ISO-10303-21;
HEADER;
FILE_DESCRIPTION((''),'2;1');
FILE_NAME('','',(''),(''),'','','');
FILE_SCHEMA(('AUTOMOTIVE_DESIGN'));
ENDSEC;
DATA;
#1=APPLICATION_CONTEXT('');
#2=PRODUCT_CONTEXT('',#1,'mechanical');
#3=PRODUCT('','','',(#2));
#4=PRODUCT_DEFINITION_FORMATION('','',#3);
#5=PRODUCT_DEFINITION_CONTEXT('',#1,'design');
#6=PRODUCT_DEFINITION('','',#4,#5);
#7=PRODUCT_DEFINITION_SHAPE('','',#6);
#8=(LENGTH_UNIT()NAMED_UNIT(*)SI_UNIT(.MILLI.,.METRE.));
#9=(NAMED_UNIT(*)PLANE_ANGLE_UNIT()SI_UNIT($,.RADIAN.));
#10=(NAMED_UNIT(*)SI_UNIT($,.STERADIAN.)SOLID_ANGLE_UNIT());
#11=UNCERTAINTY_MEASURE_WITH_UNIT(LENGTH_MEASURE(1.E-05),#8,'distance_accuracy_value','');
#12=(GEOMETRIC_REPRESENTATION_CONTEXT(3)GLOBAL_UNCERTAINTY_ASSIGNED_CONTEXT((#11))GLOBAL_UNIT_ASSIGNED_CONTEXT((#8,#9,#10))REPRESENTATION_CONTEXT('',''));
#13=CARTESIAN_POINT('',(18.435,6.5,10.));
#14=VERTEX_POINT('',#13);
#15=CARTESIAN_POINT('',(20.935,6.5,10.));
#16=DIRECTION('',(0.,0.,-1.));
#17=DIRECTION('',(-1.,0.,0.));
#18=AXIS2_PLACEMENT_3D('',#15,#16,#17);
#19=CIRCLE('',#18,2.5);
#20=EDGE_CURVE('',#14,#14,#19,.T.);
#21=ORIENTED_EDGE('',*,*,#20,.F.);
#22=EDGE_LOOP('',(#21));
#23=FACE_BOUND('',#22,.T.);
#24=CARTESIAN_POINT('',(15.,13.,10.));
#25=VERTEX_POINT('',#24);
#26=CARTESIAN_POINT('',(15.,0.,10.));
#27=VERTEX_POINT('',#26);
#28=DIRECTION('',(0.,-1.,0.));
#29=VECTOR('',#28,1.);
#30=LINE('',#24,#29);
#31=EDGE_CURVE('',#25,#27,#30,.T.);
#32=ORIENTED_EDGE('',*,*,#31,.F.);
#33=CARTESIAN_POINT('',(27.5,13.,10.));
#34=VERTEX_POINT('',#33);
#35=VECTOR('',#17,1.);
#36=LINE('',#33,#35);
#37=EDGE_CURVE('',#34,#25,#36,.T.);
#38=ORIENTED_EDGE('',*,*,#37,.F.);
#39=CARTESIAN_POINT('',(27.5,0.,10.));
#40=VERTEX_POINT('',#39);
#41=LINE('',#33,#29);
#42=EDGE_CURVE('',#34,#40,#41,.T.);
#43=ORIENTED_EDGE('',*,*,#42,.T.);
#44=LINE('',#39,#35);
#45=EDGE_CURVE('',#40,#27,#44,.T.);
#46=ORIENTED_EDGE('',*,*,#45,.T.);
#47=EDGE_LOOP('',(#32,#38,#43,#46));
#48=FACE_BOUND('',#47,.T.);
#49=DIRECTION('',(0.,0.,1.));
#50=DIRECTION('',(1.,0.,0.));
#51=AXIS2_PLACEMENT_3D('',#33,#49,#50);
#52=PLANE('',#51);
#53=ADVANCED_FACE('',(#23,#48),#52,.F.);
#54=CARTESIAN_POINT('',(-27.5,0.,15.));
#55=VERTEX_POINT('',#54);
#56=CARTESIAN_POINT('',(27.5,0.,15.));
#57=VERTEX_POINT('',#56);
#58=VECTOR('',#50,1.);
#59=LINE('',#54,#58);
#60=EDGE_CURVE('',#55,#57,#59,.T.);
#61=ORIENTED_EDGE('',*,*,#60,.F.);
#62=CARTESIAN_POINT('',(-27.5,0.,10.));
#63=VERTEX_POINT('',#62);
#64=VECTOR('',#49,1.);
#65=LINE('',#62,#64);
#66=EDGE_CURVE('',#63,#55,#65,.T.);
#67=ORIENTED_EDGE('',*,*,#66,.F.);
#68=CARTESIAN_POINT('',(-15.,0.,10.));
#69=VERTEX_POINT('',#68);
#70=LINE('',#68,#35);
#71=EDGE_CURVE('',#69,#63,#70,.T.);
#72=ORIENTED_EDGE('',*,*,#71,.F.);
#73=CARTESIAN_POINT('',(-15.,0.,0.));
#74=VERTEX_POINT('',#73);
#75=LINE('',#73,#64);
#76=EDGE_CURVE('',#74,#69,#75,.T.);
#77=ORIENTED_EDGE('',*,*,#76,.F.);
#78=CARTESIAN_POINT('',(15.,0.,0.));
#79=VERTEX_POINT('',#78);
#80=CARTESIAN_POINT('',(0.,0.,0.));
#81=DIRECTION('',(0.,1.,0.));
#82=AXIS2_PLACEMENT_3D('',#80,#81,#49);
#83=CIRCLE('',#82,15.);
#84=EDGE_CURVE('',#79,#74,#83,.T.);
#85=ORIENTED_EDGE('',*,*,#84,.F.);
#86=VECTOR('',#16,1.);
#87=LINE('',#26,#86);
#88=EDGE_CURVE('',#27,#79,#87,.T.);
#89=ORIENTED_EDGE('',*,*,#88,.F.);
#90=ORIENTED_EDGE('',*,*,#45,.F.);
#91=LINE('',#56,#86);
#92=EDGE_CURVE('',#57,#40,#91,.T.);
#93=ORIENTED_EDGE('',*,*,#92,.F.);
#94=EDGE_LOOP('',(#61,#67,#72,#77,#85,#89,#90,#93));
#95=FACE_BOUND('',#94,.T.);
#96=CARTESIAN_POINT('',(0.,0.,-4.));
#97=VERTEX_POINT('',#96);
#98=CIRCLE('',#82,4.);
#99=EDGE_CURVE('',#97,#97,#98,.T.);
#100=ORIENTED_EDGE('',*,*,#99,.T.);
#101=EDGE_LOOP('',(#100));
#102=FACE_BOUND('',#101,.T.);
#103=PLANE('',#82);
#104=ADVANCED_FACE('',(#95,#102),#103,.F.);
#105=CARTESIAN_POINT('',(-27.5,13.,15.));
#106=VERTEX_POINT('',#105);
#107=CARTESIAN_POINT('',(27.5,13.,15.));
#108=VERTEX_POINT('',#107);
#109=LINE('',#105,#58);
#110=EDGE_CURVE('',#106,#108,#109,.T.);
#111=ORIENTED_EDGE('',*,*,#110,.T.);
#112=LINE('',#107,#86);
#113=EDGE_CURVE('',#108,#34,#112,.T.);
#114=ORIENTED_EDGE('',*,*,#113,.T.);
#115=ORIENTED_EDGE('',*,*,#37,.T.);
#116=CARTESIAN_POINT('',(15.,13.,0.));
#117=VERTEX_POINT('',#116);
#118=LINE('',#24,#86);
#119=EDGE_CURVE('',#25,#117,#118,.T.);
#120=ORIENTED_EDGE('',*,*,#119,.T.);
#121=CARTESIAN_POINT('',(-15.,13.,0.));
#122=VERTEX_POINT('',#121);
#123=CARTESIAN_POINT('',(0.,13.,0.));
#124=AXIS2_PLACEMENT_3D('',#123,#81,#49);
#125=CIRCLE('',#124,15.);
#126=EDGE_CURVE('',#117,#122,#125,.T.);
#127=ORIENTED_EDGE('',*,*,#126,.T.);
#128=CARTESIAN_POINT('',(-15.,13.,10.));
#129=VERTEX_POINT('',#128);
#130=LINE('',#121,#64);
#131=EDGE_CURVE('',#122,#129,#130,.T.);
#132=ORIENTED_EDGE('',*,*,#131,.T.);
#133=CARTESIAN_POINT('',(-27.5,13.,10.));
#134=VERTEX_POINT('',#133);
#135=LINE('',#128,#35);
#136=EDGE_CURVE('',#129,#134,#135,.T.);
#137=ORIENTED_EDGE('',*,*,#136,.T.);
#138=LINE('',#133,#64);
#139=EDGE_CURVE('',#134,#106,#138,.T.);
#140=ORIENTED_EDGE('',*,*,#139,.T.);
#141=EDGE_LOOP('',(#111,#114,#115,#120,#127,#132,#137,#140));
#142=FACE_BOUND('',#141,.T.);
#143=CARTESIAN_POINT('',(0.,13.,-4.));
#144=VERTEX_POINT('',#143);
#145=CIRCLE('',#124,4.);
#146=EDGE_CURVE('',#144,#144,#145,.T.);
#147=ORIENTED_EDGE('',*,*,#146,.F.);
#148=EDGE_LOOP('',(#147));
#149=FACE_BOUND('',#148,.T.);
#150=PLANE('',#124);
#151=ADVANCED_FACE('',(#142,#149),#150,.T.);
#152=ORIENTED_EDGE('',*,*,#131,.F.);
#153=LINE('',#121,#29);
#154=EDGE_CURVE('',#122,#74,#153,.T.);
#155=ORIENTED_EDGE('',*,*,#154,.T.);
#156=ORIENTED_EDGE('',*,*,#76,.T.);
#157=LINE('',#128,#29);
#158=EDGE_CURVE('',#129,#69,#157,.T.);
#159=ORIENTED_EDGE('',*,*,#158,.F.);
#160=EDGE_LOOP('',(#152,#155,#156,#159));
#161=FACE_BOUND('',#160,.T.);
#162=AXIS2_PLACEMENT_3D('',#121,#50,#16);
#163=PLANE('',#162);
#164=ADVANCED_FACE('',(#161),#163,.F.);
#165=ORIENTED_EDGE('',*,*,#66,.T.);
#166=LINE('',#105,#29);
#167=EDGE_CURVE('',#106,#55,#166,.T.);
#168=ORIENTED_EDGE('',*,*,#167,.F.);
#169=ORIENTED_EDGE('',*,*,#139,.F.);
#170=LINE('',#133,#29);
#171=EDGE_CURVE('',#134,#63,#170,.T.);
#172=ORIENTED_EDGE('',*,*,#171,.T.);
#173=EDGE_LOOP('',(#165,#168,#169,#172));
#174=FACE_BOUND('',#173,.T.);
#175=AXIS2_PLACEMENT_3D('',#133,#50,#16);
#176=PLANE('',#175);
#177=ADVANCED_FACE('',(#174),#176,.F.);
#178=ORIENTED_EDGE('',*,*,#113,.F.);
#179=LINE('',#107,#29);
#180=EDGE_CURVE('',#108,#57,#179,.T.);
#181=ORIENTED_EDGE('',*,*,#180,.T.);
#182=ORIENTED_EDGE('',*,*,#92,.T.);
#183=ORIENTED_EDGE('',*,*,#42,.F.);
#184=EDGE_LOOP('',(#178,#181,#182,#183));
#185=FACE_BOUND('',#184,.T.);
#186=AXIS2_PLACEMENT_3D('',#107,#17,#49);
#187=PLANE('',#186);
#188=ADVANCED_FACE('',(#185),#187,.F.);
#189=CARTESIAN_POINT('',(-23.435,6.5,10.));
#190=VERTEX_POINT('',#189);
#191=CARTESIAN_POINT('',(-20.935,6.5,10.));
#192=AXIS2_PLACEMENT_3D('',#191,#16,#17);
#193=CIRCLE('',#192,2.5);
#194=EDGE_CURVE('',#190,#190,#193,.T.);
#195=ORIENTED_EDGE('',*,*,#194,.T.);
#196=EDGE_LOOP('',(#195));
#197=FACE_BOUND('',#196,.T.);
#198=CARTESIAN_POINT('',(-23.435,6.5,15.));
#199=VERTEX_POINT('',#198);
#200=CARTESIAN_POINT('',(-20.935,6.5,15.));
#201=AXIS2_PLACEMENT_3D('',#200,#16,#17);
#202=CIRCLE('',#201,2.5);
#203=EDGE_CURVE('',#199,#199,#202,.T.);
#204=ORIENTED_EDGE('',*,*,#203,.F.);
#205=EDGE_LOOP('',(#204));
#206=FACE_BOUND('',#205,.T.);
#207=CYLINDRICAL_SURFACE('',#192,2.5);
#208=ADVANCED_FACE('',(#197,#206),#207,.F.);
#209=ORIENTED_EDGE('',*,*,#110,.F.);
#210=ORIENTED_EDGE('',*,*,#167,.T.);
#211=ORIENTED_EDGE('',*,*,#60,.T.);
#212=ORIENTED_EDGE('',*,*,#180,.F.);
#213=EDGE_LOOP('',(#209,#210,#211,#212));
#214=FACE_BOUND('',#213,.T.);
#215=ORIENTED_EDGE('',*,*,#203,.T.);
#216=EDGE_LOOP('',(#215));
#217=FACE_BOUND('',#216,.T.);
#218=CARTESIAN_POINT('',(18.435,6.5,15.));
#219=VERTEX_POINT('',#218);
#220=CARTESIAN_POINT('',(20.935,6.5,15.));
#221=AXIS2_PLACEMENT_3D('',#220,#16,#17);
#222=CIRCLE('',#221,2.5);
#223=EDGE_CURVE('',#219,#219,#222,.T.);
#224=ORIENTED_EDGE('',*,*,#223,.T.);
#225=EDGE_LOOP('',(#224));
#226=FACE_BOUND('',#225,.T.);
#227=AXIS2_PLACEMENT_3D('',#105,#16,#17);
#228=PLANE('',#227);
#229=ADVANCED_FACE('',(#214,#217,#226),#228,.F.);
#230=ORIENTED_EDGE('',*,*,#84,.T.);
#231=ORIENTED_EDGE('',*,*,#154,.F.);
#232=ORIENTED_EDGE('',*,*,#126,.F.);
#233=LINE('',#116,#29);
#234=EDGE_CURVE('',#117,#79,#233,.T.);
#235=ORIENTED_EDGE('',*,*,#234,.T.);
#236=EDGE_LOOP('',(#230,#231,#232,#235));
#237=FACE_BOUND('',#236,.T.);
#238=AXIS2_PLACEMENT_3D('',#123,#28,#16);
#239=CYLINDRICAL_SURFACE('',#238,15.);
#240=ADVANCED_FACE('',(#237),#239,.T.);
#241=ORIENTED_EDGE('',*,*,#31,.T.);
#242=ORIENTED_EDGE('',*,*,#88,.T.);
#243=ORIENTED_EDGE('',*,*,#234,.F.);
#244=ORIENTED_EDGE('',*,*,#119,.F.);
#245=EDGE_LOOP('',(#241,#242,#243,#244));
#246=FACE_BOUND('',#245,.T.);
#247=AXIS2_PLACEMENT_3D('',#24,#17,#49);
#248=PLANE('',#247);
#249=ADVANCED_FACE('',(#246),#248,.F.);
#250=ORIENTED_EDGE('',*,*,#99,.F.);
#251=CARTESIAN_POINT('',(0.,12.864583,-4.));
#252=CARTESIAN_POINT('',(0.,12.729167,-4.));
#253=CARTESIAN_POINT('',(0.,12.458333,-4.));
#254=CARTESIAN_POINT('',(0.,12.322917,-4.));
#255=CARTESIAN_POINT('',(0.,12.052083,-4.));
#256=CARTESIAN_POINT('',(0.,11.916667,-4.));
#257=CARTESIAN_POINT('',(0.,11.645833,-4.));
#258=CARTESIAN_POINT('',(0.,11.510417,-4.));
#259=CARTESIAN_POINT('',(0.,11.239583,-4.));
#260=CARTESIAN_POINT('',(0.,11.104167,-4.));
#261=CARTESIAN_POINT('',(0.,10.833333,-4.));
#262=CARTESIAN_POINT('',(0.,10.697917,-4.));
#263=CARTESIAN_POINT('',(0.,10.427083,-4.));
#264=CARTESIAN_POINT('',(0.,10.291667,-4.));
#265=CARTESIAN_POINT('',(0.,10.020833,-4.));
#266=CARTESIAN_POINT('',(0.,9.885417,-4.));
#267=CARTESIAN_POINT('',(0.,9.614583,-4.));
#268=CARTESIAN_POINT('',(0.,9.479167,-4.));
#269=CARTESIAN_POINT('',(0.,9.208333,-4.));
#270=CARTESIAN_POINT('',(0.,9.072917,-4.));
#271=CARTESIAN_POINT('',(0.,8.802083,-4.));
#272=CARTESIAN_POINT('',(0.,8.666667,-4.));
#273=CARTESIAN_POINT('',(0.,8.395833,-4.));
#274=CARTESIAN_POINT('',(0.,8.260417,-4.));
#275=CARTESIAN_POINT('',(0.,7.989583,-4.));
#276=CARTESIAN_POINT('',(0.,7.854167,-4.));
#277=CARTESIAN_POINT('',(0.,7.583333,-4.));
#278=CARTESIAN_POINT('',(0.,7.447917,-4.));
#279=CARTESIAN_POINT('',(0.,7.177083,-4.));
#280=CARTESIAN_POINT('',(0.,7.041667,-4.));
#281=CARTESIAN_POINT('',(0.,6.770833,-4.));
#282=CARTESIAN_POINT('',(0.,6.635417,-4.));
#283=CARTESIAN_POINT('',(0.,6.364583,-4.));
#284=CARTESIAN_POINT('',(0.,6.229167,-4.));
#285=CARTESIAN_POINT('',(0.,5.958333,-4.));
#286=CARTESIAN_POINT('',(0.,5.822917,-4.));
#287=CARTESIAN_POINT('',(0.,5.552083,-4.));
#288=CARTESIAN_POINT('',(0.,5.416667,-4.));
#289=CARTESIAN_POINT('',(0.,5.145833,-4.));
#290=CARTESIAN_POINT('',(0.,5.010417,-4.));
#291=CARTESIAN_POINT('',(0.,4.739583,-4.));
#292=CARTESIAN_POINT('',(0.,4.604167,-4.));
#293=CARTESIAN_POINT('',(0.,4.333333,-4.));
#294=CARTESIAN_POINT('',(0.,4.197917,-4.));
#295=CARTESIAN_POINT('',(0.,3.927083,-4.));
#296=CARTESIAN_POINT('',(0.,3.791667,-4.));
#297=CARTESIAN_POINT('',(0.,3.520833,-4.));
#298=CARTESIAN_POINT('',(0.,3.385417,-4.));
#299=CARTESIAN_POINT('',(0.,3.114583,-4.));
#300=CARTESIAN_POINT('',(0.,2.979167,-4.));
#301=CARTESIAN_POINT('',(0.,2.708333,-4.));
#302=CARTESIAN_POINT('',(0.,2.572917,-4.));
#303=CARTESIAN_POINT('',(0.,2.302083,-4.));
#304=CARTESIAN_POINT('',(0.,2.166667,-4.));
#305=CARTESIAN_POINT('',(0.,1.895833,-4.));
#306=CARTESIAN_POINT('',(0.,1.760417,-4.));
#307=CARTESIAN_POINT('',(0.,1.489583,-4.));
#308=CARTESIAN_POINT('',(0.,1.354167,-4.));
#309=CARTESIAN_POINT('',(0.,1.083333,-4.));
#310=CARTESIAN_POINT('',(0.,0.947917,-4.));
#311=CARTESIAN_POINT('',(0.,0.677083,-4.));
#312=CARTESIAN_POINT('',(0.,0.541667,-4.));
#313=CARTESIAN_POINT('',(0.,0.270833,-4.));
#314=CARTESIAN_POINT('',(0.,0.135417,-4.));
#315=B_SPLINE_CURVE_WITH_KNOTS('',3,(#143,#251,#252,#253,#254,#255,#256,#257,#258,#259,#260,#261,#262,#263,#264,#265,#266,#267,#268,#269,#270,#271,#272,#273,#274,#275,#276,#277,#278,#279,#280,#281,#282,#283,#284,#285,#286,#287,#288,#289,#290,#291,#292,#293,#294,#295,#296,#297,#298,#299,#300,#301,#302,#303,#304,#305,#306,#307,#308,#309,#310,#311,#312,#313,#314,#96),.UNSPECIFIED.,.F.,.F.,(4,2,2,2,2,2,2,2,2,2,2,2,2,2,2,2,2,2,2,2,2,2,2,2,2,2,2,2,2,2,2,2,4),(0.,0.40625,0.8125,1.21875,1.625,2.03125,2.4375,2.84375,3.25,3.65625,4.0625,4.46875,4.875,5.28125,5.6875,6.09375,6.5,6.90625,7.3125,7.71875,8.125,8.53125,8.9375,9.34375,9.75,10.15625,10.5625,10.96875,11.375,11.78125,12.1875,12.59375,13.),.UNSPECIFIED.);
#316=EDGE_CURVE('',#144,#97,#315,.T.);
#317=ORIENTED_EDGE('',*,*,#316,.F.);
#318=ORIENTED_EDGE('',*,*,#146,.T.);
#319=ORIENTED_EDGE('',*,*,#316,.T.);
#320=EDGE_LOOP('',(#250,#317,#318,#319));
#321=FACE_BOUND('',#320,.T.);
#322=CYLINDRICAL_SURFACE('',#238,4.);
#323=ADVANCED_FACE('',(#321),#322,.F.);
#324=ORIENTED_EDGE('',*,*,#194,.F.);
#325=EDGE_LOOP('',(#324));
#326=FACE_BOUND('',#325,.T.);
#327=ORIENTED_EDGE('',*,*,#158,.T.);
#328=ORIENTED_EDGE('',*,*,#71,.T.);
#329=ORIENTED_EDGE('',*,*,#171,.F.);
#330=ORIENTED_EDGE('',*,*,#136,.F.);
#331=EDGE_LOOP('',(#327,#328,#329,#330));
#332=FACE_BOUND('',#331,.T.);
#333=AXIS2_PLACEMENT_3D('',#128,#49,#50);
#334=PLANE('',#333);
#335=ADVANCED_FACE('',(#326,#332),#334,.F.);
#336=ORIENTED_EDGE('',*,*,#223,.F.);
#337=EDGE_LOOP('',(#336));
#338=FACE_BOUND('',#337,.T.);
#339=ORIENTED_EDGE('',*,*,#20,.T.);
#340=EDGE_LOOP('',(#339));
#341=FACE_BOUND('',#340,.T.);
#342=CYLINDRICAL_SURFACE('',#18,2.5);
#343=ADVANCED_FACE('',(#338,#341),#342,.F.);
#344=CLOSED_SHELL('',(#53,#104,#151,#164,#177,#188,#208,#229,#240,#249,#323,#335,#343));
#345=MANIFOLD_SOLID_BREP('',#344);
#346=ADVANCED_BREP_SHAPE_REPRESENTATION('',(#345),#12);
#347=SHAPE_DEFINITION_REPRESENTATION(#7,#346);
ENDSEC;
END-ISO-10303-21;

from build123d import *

# Parameters (mm, degrees)
SKETCH1_R            = 4
BOSS_EXTRUDE1_DEPTH  = 13
M4_CLEARANCE_HOLE1_D = 5


with BuildPart() as part:
    # Sketch1 → Boss-Extrude1 (new body)
    with BuildSketch(Plane(origin=(0, 0, 0), x_dir=(1, 0, 0), z_dir=(0, 1, 0))):
        with BuildLine():
            Line((-15, 0), (-15, -10))
            Line((-15, -10), (-27.5, -10))
            Line((-27.5, -10), (-27.5, -15))
            Line((-27.5, -15), (27.5, -15))
            Line((27.5, -15), (27.5, -10))
            Line((27.5, -10), (15, -10))
            Line((15, -10), (15, 0))
            ThreePointArc((15, 0), (0, 15), (-15, 0))
        make_face()
        with Locations(Location((0, 0, 0), (0, 0, 90))):
            Circle(SKETCH1_R, mode=Mode.SUBTRACT)
    extrude(amount=BOSS_EXTRUDE1_DEPTH)

    # M4 Clearance Hole1 (through all)
    with Locations(Plane(origin=(0, 0, 10), x_dir=(-1, 0, 0), z_dir=(0, 0, -1))):
        with Locations((-20.935, 6.5), (20.935, 6.5)):
            Hole(M4_CLEARANCE_HOLE1_D / 2)


solid = part.part
